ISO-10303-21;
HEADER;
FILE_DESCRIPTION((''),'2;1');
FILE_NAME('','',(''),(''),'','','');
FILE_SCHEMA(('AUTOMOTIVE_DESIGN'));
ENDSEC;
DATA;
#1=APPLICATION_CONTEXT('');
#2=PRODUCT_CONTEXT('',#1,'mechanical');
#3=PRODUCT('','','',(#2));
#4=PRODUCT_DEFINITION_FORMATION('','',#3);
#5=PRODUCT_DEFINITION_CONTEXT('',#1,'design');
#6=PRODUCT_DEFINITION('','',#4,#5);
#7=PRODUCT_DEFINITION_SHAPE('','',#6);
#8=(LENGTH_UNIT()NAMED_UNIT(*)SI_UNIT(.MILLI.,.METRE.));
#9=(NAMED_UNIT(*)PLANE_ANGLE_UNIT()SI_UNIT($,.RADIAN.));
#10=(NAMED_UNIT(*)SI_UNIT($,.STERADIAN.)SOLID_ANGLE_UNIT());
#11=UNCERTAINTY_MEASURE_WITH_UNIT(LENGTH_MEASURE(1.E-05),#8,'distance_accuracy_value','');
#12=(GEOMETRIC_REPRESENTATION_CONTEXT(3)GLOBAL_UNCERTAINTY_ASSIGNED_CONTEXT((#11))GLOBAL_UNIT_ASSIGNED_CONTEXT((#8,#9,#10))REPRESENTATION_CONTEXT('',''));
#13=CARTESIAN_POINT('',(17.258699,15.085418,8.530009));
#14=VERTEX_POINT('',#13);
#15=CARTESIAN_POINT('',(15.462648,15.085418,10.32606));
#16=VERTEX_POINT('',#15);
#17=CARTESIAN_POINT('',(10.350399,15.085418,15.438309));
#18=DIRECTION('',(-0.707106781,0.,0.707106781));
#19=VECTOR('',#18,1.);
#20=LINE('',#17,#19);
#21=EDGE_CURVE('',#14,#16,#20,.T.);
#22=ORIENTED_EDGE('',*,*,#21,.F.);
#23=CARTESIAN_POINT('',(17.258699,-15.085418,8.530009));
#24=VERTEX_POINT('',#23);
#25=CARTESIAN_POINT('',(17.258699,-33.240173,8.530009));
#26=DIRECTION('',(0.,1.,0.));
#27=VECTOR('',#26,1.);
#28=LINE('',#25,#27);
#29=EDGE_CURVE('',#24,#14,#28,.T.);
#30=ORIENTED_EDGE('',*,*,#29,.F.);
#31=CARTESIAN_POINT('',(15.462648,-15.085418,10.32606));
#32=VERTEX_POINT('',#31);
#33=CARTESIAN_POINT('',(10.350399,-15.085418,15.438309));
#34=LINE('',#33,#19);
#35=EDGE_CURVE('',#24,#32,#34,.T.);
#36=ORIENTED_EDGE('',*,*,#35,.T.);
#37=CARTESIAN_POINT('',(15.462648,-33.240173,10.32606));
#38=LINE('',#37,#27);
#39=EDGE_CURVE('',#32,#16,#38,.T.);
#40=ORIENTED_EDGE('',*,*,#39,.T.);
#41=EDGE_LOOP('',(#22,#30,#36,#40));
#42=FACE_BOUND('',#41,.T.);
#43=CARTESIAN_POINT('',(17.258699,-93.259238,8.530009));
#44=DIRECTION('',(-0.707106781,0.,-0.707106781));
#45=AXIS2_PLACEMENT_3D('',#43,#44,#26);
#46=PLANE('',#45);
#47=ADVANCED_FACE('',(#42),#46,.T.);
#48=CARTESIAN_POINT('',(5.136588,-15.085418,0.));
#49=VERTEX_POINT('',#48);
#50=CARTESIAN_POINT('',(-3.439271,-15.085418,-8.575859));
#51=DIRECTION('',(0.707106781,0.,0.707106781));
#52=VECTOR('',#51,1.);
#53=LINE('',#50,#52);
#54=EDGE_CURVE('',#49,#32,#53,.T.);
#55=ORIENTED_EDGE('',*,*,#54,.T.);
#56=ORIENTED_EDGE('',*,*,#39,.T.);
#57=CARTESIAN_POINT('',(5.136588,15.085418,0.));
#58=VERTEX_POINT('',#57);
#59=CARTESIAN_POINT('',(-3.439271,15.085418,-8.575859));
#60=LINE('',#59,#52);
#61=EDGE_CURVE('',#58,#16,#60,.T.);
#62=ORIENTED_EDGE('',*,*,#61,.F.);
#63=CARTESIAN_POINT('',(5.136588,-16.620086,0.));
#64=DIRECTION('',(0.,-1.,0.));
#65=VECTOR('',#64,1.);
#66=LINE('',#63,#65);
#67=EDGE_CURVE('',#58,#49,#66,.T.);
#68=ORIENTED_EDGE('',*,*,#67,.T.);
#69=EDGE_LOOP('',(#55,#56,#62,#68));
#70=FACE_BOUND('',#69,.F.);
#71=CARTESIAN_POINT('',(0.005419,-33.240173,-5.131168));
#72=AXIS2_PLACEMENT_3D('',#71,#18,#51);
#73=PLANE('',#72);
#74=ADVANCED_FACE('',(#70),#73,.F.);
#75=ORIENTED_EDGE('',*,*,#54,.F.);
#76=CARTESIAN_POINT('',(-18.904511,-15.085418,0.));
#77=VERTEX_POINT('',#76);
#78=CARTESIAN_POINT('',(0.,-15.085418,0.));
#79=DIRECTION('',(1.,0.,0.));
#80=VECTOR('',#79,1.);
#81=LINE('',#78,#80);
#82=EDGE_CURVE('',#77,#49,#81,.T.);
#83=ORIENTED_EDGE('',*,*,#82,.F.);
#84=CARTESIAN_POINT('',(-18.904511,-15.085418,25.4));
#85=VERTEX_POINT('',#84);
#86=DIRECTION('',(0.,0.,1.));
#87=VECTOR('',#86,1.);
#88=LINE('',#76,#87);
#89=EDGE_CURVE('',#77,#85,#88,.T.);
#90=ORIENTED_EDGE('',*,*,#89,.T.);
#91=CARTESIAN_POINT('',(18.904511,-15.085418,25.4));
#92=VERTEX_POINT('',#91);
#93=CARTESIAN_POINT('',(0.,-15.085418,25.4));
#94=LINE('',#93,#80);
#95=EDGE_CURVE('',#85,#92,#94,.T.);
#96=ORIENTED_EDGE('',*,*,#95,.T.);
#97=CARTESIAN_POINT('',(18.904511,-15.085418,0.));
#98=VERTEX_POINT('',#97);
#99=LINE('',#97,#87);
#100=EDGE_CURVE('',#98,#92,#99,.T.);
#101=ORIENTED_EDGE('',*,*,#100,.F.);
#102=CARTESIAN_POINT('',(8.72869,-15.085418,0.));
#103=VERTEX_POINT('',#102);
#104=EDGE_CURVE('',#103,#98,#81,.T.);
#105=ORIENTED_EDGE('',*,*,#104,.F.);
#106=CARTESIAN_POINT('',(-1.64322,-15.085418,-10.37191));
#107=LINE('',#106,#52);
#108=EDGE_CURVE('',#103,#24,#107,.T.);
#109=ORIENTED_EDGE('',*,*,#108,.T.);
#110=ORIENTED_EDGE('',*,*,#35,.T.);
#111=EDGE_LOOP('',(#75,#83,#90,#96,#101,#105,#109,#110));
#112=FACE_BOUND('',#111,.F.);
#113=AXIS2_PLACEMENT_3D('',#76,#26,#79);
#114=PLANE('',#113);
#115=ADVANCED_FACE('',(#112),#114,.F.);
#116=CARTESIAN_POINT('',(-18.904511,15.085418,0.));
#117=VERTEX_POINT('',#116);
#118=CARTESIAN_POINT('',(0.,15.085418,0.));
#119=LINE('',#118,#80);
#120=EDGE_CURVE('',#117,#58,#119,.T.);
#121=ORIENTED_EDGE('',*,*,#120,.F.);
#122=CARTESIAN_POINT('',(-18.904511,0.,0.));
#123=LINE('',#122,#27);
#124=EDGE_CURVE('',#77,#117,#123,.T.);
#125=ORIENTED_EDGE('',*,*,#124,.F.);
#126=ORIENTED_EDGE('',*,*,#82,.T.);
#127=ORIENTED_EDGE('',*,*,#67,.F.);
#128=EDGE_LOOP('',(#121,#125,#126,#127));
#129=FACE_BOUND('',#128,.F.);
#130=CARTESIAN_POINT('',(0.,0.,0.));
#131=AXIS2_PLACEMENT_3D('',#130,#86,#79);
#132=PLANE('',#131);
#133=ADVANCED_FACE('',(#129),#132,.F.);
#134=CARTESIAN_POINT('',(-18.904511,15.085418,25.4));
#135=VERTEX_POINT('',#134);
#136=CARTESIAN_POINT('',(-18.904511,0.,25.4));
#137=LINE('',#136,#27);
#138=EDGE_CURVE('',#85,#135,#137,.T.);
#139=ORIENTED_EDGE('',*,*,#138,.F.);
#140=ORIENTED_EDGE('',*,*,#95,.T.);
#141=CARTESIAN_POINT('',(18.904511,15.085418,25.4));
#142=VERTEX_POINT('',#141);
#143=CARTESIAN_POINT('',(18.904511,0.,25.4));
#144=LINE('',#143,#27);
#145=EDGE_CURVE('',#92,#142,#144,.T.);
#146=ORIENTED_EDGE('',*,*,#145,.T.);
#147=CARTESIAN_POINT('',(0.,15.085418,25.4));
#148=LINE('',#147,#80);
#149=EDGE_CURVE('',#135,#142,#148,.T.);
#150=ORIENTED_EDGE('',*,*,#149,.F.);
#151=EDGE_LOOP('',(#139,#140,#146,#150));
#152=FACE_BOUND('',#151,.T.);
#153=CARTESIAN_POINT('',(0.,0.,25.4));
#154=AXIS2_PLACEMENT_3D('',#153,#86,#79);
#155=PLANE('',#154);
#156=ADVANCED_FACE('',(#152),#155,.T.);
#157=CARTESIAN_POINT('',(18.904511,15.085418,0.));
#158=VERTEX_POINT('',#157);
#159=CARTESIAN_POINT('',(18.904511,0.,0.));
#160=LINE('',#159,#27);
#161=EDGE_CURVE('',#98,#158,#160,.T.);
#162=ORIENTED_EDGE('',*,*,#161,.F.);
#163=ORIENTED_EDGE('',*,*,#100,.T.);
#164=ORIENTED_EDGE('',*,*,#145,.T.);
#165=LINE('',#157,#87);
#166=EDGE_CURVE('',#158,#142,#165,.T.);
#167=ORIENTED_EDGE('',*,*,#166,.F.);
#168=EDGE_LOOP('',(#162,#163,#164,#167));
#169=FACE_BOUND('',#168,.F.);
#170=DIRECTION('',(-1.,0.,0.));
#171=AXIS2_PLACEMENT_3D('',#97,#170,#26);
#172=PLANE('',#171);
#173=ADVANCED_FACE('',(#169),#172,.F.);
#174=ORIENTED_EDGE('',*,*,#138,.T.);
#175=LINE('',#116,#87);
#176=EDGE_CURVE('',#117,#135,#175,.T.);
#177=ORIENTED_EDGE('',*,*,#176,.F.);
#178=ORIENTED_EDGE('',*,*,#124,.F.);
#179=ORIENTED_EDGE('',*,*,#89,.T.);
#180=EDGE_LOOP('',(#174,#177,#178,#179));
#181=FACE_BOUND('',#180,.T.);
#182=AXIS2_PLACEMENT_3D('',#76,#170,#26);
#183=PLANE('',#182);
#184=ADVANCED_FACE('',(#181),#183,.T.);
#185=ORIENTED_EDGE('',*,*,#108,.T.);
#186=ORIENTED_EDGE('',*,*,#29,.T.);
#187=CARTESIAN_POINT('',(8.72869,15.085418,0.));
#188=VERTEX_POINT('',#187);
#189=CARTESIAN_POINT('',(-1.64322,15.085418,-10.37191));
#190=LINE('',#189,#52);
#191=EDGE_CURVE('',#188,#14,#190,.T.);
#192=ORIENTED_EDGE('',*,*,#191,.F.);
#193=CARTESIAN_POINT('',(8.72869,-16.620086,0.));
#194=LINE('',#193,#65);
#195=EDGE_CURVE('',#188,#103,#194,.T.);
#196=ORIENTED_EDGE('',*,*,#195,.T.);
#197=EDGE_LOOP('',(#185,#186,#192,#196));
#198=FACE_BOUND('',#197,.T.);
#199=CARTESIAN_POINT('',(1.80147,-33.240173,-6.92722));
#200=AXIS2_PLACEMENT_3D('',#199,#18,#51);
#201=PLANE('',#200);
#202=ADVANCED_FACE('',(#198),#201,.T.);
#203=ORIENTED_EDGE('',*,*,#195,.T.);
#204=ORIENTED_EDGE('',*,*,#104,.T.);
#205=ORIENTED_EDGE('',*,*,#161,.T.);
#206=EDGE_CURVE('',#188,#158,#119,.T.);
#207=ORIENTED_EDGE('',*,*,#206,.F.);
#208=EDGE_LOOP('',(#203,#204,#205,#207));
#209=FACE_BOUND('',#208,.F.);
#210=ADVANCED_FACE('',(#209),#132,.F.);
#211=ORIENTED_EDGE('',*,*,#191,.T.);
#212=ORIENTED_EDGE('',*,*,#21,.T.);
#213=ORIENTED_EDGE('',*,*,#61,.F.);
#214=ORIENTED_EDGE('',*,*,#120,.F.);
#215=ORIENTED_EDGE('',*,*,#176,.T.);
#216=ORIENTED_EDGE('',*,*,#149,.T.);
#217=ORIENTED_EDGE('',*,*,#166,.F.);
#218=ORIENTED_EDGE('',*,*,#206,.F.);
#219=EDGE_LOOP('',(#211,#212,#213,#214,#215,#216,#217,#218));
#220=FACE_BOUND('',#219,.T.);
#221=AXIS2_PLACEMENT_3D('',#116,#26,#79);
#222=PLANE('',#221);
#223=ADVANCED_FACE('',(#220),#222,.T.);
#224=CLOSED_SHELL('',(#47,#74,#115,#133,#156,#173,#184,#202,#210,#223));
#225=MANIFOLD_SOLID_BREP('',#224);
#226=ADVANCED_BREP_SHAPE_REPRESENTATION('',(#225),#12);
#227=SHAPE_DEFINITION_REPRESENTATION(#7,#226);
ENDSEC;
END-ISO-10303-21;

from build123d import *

# Parameters (mm, degrees)
F0_W     = 37.809022
F0_H     = 30.170836
F1_DEPTH = 25.4
F4_W     = 43.719644
F4_H     = 120.03813
F5_DEPTH = 2.54


with BuildPart() as f1:
    # F0 (on Top) → F1 (new body)
    with BuildSketch(Plane.XY):
        Rectangle(F0_W, F0_H)
    extrude(amount=F1_DEPTH)


with BuildPart() as f5:
    # F4 (on face) → F5 (new body)
    with BuildSketch(Plane(origin=(14.130645, 0, -14.130645), x_dir=(0.707107, 0, 0.707107), z_dir=(-0.707107, 0, 0.707107))):
        with Locations((10.187182, -33.240173)):
            Rectangle(F4_W, F4_H)
    extrude(amount=F5_DEPTH)


with BuildPart() as f5_1:
    # F6: moved
    add(f5.part.moved(Location((-19.5326, 0, 0))))


with BuildPart() as f1_1:
    add(f1.part)

    # F7: cut F5
    add(f5_1.part, mode=Mode.SUBTRACT)


solid = f1_1.part
